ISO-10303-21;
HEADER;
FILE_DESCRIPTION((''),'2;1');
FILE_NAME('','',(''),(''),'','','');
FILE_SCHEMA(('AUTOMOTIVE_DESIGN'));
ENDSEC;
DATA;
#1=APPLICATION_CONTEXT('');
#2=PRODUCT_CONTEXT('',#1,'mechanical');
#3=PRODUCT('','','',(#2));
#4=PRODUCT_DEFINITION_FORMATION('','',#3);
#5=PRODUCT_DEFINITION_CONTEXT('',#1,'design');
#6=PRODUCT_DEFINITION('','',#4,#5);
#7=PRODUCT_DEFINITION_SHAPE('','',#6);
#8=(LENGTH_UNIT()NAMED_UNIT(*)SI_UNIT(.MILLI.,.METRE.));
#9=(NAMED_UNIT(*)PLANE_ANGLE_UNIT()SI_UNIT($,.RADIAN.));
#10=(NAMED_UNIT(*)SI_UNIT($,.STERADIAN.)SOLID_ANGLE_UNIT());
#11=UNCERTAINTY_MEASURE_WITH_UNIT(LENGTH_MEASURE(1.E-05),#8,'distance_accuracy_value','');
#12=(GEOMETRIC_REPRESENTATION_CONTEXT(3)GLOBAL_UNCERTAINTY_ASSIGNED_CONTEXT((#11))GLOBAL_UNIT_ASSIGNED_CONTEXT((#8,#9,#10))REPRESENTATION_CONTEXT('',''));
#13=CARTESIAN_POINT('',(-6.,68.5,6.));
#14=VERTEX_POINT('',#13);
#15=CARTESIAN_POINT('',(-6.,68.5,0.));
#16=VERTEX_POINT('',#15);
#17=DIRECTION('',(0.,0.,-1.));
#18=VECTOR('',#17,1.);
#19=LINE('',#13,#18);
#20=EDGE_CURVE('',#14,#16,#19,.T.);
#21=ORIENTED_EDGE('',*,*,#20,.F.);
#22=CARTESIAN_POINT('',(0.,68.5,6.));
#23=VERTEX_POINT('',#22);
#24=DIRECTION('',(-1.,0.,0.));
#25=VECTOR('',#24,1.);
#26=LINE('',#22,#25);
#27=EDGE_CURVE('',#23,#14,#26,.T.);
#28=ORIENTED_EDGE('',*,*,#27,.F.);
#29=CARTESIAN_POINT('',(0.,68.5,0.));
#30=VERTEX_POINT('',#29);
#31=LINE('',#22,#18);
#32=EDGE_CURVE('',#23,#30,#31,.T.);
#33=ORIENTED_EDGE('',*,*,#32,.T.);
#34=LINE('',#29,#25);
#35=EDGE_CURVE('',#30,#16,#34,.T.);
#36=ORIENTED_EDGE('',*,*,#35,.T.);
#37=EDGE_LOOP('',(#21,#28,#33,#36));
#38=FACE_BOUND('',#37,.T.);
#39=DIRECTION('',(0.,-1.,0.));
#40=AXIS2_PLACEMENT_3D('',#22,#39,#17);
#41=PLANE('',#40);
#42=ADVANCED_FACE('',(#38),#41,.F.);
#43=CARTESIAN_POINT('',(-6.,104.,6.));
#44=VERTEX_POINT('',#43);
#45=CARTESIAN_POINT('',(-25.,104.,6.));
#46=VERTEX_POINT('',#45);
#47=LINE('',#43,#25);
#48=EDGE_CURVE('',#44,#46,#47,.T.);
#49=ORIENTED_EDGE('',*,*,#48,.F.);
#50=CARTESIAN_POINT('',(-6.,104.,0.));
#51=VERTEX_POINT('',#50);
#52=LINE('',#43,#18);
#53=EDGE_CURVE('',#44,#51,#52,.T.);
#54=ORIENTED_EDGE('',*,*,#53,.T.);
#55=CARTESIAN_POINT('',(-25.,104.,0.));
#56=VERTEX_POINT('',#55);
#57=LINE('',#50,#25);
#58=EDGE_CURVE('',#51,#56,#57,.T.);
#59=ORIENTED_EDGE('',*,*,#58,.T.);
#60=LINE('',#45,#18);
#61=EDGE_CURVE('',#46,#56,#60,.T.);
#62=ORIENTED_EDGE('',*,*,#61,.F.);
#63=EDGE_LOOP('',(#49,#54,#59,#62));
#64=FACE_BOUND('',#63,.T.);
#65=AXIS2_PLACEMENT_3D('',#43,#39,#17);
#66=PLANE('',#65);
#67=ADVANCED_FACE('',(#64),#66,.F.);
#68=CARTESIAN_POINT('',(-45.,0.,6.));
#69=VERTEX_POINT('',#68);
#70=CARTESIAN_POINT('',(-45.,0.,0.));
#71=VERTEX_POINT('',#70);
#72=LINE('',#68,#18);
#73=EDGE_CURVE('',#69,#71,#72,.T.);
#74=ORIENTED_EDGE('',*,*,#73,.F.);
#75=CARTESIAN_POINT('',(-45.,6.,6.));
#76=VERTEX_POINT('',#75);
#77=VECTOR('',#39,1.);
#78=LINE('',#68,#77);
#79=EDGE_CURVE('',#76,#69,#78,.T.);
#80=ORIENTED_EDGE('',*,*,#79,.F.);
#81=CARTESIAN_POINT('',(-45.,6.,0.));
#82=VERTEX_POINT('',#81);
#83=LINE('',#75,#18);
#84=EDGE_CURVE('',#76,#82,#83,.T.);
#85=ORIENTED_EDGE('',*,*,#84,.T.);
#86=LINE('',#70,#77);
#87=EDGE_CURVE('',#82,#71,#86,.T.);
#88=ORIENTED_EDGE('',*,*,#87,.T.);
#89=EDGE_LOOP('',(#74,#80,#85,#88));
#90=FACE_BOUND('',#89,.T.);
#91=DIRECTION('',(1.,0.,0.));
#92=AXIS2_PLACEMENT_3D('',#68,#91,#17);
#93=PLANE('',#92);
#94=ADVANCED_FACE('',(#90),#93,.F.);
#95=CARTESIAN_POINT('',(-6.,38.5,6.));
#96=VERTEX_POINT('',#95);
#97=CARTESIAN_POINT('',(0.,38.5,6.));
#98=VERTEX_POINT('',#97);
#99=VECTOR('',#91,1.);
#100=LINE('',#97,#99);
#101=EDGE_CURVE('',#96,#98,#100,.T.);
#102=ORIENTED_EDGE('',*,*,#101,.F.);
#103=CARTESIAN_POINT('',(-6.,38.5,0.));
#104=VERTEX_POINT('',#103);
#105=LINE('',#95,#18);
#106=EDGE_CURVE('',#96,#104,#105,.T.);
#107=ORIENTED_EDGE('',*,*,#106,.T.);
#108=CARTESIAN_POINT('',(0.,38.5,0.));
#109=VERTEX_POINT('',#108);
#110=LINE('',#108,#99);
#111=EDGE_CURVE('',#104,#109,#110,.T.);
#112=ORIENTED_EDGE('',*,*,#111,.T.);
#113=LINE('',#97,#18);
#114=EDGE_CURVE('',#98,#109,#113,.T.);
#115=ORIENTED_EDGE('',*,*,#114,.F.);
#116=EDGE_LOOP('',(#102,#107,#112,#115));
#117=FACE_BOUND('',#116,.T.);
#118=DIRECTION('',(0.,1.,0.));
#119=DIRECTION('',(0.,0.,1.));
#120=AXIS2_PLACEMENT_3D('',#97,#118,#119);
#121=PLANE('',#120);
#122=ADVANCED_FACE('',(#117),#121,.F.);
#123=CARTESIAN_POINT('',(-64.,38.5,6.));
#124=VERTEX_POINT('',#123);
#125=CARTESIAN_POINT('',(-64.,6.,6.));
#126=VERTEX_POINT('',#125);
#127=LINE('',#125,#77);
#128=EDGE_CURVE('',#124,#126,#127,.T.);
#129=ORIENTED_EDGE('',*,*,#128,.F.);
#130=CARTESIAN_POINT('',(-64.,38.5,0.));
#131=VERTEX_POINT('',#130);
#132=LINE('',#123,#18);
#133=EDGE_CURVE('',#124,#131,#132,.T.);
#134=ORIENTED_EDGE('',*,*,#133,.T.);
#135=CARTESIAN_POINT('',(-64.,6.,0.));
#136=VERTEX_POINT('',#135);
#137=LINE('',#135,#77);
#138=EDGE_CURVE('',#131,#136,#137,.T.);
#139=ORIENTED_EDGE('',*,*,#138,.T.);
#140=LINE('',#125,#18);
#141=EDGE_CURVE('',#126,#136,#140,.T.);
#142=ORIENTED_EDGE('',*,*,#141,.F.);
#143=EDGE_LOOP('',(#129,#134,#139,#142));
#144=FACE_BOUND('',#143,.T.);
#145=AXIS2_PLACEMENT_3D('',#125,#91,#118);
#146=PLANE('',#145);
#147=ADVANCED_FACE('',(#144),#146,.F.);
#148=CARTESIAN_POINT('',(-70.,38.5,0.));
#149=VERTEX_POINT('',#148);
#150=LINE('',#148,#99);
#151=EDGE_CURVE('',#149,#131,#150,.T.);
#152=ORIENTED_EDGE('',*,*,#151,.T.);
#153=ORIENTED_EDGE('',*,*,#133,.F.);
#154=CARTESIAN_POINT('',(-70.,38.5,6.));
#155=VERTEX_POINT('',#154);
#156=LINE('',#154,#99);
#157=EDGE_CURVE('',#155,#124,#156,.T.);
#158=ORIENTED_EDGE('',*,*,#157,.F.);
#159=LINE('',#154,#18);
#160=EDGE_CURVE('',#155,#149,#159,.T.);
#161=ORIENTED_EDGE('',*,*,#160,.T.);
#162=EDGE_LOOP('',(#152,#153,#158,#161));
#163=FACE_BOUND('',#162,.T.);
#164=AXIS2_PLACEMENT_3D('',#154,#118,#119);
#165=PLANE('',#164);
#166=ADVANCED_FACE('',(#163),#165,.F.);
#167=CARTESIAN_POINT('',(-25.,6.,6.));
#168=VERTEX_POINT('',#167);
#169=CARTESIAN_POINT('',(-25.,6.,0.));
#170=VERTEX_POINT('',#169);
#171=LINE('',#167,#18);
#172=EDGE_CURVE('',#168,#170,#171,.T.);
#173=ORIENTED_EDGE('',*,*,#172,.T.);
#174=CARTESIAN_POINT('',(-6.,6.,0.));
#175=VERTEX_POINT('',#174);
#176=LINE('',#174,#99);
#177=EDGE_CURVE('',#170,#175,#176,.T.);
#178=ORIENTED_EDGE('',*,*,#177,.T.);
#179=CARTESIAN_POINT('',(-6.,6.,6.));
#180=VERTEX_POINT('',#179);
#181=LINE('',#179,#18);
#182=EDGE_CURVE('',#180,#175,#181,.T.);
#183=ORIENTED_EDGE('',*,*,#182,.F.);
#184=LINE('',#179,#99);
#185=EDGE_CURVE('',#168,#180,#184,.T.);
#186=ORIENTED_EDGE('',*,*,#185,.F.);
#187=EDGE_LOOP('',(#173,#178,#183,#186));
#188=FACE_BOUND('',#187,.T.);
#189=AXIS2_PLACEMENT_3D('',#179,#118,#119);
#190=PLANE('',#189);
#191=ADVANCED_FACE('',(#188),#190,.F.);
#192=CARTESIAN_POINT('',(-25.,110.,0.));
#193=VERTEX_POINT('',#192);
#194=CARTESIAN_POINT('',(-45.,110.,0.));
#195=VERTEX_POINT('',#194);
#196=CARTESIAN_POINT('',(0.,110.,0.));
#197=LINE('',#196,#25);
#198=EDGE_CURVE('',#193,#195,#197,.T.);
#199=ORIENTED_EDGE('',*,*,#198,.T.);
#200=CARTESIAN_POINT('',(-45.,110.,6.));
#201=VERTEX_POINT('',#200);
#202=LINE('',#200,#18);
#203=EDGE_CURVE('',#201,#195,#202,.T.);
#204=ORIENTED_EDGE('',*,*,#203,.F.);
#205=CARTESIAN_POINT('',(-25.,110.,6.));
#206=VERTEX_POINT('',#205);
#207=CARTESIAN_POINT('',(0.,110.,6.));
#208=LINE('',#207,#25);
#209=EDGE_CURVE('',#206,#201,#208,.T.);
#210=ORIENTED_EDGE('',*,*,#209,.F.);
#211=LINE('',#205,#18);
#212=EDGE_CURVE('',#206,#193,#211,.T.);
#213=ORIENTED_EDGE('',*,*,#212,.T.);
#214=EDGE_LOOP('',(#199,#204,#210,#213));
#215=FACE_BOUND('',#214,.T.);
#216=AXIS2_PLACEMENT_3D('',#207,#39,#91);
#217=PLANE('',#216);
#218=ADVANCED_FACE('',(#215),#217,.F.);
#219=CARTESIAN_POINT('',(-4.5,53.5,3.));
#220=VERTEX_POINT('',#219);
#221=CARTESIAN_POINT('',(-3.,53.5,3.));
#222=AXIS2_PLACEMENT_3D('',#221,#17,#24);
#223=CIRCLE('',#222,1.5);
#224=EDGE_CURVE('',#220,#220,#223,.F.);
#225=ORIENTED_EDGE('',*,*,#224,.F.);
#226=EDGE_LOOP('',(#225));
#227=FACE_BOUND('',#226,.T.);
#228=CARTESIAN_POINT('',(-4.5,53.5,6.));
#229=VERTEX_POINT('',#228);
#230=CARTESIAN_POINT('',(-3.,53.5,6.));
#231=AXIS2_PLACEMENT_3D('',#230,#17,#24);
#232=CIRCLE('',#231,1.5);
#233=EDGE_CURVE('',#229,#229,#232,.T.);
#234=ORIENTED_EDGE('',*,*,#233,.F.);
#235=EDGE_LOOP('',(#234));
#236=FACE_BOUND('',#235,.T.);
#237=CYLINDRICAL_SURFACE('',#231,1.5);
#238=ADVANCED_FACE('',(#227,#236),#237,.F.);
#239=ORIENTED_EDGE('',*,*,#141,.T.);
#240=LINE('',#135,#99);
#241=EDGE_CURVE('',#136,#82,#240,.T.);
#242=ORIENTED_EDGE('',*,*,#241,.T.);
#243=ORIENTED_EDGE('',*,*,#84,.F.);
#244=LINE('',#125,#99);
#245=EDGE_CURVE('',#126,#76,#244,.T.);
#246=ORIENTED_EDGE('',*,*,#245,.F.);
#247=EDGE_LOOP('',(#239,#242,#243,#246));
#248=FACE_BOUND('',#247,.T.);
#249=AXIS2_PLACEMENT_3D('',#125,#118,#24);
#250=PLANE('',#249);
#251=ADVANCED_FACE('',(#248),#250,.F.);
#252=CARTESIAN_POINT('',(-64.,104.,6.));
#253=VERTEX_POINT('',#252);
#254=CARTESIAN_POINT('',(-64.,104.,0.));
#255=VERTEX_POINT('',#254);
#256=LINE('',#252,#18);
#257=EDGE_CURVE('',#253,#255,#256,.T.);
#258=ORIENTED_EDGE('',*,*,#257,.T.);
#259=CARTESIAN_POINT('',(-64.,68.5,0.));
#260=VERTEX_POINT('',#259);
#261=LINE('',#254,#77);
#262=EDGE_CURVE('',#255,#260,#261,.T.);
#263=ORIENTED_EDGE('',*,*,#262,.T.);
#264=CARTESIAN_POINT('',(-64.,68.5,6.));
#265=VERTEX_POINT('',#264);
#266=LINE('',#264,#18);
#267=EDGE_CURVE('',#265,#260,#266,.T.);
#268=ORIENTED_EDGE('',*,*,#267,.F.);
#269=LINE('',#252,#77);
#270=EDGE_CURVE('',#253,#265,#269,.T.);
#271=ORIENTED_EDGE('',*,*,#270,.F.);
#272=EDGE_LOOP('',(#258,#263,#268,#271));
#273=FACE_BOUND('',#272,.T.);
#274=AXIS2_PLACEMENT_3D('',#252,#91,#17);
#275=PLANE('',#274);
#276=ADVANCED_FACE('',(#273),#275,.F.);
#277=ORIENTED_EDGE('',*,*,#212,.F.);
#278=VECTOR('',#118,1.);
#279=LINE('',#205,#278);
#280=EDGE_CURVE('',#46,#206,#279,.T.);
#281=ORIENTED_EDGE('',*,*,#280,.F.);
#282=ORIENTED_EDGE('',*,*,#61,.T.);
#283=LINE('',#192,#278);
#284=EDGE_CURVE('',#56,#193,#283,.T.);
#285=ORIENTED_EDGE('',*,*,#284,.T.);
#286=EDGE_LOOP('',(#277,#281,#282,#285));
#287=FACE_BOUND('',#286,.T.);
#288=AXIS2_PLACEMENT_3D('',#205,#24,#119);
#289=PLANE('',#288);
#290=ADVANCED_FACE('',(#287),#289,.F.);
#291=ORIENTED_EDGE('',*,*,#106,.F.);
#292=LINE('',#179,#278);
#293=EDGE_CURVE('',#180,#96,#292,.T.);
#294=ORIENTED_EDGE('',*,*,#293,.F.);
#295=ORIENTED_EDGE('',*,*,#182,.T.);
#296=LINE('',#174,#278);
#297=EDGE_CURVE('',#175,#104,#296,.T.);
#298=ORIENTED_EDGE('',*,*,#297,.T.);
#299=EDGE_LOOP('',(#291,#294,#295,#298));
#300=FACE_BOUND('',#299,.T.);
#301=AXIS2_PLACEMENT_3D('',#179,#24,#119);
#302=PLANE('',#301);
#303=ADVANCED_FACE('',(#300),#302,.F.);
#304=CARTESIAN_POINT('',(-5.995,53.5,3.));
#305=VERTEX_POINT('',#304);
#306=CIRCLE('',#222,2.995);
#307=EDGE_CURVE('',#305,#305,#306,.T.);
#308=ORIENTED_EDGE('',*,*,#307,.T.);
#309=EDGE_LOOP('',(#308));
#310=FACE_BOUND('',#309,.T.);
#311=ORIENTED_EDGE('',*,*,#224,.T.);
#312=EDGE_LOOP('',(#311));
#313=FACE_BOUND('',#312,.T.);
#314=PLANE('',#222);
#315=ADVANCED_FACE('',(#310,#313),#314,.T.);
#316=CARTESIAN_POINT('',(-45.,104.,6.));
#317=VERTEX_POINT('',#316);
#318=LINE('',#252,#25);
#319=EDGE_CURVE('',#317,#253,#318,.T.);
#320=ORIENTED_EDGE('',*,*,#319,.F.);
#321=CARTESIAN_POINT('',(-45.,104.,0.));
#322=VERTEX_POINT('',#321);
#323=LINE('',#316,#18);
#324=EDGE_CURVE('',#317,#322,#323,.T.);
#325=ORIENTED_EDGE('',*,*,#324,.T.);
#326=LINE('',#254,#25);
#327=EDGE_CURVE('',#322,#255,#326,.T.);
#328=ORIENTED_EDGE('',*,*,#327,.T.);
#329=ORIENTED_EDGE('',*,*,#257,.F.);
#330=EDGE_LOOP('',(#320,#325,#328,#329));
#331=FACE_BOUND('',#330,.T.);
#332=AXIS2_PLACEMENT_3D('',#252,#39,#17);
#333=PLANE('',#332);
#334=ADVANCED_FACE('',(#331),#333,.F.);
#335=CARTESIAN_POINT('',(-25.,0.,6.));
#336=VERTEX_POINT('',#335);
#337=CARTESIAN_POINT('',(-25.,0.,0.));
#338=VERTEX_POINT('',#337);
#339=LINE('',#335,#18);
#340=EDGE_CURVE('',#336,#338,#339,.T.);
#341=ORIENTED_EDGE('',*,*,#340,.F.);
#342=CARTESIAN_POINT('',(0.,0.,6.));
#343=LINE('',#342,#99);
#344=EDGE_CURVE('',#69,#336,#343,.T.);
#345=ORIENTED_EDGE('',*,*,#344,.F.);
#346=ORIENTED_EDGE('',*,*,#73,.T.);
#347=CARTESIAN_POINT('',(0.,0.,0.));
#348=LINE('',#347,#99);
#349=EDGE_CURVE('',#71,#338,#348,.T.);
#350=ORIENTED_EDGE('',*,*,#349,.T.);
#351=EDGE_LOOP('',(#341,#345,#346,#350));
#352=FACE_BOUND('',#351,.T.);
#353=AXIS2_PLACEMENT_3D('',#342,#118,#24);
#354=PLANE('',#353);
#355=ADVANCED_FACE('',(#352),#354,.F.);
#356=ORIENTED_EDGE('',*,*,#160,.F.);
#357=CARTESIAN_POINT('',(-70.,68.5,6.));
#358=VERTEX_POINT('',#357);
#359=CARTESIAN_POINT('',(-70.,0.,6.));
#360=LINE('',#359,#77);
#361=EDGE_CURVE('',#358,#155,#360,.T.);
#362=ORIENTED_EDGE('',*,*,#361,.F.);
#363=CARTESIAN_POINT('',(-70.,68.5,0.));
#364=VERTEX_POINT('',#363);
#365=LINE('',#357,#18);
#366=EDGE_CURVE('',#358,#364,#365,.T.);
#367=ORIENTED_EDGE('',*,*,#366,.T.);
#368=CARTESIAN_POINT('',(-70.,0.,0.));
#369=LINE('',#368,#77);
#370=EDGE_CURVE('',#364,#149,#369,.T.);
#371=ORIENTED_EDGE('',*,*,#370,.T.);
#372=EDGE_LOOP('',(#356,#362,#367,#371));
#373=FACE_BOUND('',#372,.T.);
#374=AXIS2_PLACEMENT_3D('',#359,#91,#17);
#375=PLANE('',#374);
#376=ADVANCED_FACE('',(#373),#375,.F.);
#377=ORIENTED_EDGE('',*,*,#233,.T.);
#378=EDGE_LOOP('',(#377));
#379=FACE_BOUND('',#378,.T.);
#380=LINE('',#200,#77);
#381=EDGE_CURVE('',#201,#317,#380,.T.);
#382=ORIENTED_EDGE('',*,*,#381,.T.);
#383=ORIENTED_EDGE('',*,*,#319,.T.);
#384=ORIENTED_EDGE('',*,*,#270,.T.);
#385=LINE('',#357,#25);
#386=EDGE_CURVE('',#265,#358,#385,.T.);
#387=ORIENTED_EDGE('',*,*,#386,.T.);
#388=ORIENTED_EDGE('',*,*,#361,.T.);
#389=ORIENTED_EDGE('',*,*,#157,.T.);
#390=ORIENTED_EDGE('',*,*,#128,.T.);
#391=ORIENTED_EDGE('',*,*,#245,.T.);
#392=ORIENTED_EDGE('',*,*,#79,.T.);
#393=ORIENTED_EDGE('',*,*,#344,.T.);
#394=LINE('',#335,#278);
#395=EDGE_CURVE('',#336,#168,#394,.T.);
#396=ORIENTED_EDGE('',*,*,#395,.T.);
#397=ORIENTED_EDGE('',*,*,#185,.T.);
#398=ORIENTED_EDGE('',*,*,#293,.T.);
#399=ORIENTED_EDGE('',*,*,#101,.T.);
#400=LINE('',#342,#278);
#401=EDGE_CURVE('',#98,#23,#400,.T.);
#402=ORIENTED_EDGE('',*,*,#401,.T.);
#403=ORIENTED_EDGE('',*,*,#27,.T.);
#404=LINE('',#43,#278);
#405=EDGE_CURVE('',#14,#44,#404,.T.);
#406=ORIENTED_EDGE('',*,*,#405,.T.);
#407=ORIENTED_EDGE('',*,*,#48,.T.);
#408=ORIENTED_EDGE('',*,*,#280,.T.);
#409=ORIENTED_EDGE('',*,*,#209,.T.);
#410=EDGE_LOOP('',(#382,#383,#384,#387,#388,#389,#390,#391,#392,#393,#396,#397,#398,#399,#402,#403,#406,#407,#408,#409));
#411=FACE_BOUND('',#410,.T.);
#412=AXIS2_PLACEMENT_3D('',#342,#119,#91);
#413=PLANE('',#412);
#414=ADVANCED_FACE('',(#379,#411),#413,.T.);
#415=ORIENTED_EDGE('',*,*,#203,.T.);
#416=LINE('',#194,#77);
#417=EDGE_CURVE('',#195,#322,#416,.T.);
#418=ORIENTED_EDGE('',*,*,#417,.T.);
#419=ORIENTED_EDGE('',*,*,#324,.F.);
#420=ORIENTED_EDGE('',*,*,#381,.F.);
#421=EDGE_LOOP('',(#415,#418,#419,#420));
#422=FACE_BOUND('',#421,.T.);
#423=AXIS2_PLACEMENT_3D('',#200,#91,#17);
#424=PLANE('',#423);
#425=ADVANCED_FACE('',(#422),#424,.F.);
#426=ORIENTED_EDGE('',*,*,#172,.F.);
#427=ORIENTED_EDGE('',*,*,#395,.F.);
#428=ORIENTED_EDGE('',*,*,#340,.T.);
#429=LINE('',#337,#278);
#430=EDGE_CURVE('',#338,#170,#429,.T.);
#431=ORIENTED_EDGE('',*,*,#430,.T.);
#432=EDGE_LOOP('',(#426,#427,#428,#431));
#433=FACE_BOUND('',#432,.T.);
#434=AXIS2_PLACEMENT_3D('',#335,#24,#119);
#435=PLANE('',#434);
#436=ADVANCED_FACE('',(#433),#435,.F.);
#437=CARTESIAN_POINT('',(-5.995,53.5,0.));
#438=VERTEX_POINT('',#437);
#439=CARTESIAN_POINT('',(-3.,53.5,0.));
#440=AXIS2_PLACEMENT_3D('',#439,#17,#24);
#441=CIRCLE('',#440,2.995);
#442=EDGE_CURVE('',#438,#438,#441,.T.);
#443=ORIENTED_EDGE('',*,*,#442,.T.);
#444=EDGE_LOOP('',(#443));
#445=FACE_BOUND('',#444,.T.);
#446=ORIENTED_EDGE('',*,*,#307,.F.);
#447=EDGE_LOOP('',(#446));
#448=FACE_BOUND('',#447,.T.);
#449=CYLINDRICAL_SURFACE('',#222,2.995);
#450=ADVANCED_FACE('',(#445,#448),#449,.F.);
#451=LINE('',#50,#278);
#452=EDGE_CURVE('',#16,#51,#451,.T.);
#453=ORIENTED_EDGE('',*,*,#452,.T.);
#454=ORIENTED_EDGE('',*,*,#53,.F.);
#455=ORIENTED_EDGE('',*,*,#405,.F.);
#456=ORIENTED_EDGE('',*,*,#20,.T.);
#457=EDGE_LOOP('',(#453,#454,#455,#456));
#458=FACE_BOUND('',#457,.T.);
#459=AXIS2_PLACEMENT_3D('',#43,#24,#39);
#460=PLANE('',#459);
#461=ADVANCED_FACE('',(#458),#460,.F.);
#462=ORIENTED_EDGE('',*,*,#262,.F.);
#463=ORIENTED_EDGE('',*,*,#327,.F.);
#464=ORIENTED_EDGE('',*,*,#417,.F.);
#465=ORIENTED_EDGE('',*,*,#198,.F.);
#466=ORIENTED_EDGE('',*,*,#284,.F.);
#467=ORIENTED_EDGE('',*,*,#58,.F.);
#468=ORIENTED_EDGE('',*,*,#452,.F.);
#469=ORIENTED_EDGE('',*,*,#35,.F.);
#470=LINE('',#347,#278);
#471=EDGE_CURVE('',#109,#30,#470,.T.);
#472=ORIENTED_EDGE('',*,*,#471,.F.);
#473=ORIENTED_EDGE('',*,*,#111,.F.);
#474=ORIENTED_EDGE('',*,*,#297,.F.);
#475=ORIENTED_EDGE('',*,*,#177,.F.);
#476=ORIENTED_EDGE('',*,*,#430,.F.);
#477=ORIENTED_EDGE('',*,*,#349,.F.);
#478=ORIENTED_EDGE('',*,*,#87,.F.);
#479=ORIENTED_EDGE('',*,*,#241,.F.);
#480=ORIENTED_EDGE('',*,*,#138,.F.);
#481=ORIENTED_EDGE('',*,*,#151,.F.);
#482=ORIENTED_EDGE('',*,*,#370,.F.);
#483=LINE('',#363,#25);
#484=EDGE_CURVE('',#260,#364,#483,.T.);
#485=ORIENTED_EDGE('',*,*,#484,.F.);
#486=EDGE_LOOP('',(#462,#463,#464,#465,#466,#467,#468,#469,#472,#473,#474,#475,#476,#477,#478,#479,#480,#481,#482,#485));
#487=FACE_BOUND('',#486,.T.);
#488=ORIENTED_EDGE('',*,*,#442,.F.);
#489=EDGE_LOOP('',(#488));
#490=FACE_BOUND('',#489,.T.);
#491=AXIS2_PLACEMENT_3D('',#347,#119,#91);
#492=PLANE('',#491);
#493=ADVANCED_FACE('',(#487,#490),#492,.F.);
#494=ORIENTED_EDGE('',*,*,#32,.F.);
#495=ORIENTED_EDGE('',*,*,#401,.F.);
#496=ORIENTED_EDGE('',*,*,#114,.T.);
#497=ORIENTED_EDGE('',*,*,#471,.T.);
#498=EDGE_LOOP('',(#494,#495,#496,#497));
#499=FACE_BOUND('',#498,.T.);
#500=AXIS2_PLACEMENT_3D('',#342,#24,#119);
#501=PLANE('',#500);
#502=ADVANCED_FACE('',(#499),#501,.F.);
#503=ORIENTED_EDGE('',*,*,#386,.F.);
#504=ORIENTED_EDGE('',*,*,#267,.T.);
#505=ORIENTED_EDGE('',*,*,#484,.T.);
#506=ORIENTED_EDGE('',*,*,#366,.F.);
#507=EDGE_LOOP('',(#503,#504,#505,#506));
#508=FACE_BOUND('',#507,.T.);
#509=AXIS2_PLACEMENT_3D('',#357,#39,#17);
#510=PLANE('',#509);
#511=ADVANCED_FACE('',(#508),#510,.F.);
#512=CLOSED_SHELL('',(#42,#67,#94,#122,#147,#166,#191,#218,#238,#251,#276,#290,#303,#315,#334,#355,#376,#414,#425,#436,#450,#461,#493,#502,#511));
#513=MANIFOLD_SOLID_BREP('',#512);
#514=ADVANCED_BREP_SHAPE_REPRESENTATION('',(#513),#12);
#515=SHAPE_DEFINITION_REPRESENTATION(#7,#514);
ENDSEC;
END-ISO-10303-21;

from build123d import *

# Parameters (mm, degrees)
ESQUISSE1_W             = 70
ESQUISSE1_H             = 110
BOSS_EXTRU_1_DEPTH      = 6
ENL_V_MAT_EXTRU_1_DEPTH = 131.522028792
ESQUISSE3_R             = 1.5
ENL_V_MAT_EXTRU_2_DEPTH = 131.522028792
ESQUISSE4_R             = 2.995
ENL_V_MAT_EXTRU_3_DEPTH = 3


with BuildPart() as part:
    # Esquisse1 → Boss.-Extru.1 (new body)
    with BuildSketch(Plane.XY):
        with Locations((-35, 55)):
            Rectangle(ESQUISSE1_W, ESQUISSE1_H)
    extrude(amount=BOSS_EXTRU_1_DEPTH)

    # Esquisse2 → Enlèv. mat.-Extru.1 (cut, through all)
    with BuildSketch(Plane(origin=(0, 0, 0), x_dir=(-1, 0, 0), z_dir=(0, 0, -1))):
        Polygon((0, 110), (25, 110), (25, 104), (6, 104), (6, 68.5), (0, 68.5), align=None)
        Polygon((70, 110), (45, 110), (45, 104), (64, 104), (64, 68.5), (70, 68.5), align=None)
        Polygon((0, 0), (25, 0), (25, 6), (6, 6), (6, 38.5), (0, 38.5), align=None)
        Polygon((45, 0), (70, 0), (70, 38.5), (64, 38.5), (64, 6), (45, 6), align=None)
    extrude(amount=-ENL_V_MAT_EXTRU_1_DEPTH, mode=Mode.SUBTRACT)

    # Esquisse3 → Enlèv. mat.-Extru.2 (cut, through all)
    with BuildSketch(Plane(origin=(0, 0, 0), x_dir=(-1, 0, 0), z_dir=(0, 0, -1))):
        with Locations((3, 53.5)):
            Circle(ESQUISSE3_R)
    extrude(amount=-ENL_V_MAT_EXTRU_2_DEPTH, mode=Mode.SUBTRACT)

    # Esquisse4 → Enlèv. mat.-Extru.3 (cut)
    with BuildSketch(Plane(origin=(0, 0, 0), x_dir=(-1, 0, 0), z_dir=(0, 0, -1))):
        with Locations((3, 53.5)):
            Circle(ESQUISSE4_R)
    extrude(amount=-ENL_V_MAT_EXTRU_3_DEPTH, mode=Mode.SUBTRACT)


solid = part.part
